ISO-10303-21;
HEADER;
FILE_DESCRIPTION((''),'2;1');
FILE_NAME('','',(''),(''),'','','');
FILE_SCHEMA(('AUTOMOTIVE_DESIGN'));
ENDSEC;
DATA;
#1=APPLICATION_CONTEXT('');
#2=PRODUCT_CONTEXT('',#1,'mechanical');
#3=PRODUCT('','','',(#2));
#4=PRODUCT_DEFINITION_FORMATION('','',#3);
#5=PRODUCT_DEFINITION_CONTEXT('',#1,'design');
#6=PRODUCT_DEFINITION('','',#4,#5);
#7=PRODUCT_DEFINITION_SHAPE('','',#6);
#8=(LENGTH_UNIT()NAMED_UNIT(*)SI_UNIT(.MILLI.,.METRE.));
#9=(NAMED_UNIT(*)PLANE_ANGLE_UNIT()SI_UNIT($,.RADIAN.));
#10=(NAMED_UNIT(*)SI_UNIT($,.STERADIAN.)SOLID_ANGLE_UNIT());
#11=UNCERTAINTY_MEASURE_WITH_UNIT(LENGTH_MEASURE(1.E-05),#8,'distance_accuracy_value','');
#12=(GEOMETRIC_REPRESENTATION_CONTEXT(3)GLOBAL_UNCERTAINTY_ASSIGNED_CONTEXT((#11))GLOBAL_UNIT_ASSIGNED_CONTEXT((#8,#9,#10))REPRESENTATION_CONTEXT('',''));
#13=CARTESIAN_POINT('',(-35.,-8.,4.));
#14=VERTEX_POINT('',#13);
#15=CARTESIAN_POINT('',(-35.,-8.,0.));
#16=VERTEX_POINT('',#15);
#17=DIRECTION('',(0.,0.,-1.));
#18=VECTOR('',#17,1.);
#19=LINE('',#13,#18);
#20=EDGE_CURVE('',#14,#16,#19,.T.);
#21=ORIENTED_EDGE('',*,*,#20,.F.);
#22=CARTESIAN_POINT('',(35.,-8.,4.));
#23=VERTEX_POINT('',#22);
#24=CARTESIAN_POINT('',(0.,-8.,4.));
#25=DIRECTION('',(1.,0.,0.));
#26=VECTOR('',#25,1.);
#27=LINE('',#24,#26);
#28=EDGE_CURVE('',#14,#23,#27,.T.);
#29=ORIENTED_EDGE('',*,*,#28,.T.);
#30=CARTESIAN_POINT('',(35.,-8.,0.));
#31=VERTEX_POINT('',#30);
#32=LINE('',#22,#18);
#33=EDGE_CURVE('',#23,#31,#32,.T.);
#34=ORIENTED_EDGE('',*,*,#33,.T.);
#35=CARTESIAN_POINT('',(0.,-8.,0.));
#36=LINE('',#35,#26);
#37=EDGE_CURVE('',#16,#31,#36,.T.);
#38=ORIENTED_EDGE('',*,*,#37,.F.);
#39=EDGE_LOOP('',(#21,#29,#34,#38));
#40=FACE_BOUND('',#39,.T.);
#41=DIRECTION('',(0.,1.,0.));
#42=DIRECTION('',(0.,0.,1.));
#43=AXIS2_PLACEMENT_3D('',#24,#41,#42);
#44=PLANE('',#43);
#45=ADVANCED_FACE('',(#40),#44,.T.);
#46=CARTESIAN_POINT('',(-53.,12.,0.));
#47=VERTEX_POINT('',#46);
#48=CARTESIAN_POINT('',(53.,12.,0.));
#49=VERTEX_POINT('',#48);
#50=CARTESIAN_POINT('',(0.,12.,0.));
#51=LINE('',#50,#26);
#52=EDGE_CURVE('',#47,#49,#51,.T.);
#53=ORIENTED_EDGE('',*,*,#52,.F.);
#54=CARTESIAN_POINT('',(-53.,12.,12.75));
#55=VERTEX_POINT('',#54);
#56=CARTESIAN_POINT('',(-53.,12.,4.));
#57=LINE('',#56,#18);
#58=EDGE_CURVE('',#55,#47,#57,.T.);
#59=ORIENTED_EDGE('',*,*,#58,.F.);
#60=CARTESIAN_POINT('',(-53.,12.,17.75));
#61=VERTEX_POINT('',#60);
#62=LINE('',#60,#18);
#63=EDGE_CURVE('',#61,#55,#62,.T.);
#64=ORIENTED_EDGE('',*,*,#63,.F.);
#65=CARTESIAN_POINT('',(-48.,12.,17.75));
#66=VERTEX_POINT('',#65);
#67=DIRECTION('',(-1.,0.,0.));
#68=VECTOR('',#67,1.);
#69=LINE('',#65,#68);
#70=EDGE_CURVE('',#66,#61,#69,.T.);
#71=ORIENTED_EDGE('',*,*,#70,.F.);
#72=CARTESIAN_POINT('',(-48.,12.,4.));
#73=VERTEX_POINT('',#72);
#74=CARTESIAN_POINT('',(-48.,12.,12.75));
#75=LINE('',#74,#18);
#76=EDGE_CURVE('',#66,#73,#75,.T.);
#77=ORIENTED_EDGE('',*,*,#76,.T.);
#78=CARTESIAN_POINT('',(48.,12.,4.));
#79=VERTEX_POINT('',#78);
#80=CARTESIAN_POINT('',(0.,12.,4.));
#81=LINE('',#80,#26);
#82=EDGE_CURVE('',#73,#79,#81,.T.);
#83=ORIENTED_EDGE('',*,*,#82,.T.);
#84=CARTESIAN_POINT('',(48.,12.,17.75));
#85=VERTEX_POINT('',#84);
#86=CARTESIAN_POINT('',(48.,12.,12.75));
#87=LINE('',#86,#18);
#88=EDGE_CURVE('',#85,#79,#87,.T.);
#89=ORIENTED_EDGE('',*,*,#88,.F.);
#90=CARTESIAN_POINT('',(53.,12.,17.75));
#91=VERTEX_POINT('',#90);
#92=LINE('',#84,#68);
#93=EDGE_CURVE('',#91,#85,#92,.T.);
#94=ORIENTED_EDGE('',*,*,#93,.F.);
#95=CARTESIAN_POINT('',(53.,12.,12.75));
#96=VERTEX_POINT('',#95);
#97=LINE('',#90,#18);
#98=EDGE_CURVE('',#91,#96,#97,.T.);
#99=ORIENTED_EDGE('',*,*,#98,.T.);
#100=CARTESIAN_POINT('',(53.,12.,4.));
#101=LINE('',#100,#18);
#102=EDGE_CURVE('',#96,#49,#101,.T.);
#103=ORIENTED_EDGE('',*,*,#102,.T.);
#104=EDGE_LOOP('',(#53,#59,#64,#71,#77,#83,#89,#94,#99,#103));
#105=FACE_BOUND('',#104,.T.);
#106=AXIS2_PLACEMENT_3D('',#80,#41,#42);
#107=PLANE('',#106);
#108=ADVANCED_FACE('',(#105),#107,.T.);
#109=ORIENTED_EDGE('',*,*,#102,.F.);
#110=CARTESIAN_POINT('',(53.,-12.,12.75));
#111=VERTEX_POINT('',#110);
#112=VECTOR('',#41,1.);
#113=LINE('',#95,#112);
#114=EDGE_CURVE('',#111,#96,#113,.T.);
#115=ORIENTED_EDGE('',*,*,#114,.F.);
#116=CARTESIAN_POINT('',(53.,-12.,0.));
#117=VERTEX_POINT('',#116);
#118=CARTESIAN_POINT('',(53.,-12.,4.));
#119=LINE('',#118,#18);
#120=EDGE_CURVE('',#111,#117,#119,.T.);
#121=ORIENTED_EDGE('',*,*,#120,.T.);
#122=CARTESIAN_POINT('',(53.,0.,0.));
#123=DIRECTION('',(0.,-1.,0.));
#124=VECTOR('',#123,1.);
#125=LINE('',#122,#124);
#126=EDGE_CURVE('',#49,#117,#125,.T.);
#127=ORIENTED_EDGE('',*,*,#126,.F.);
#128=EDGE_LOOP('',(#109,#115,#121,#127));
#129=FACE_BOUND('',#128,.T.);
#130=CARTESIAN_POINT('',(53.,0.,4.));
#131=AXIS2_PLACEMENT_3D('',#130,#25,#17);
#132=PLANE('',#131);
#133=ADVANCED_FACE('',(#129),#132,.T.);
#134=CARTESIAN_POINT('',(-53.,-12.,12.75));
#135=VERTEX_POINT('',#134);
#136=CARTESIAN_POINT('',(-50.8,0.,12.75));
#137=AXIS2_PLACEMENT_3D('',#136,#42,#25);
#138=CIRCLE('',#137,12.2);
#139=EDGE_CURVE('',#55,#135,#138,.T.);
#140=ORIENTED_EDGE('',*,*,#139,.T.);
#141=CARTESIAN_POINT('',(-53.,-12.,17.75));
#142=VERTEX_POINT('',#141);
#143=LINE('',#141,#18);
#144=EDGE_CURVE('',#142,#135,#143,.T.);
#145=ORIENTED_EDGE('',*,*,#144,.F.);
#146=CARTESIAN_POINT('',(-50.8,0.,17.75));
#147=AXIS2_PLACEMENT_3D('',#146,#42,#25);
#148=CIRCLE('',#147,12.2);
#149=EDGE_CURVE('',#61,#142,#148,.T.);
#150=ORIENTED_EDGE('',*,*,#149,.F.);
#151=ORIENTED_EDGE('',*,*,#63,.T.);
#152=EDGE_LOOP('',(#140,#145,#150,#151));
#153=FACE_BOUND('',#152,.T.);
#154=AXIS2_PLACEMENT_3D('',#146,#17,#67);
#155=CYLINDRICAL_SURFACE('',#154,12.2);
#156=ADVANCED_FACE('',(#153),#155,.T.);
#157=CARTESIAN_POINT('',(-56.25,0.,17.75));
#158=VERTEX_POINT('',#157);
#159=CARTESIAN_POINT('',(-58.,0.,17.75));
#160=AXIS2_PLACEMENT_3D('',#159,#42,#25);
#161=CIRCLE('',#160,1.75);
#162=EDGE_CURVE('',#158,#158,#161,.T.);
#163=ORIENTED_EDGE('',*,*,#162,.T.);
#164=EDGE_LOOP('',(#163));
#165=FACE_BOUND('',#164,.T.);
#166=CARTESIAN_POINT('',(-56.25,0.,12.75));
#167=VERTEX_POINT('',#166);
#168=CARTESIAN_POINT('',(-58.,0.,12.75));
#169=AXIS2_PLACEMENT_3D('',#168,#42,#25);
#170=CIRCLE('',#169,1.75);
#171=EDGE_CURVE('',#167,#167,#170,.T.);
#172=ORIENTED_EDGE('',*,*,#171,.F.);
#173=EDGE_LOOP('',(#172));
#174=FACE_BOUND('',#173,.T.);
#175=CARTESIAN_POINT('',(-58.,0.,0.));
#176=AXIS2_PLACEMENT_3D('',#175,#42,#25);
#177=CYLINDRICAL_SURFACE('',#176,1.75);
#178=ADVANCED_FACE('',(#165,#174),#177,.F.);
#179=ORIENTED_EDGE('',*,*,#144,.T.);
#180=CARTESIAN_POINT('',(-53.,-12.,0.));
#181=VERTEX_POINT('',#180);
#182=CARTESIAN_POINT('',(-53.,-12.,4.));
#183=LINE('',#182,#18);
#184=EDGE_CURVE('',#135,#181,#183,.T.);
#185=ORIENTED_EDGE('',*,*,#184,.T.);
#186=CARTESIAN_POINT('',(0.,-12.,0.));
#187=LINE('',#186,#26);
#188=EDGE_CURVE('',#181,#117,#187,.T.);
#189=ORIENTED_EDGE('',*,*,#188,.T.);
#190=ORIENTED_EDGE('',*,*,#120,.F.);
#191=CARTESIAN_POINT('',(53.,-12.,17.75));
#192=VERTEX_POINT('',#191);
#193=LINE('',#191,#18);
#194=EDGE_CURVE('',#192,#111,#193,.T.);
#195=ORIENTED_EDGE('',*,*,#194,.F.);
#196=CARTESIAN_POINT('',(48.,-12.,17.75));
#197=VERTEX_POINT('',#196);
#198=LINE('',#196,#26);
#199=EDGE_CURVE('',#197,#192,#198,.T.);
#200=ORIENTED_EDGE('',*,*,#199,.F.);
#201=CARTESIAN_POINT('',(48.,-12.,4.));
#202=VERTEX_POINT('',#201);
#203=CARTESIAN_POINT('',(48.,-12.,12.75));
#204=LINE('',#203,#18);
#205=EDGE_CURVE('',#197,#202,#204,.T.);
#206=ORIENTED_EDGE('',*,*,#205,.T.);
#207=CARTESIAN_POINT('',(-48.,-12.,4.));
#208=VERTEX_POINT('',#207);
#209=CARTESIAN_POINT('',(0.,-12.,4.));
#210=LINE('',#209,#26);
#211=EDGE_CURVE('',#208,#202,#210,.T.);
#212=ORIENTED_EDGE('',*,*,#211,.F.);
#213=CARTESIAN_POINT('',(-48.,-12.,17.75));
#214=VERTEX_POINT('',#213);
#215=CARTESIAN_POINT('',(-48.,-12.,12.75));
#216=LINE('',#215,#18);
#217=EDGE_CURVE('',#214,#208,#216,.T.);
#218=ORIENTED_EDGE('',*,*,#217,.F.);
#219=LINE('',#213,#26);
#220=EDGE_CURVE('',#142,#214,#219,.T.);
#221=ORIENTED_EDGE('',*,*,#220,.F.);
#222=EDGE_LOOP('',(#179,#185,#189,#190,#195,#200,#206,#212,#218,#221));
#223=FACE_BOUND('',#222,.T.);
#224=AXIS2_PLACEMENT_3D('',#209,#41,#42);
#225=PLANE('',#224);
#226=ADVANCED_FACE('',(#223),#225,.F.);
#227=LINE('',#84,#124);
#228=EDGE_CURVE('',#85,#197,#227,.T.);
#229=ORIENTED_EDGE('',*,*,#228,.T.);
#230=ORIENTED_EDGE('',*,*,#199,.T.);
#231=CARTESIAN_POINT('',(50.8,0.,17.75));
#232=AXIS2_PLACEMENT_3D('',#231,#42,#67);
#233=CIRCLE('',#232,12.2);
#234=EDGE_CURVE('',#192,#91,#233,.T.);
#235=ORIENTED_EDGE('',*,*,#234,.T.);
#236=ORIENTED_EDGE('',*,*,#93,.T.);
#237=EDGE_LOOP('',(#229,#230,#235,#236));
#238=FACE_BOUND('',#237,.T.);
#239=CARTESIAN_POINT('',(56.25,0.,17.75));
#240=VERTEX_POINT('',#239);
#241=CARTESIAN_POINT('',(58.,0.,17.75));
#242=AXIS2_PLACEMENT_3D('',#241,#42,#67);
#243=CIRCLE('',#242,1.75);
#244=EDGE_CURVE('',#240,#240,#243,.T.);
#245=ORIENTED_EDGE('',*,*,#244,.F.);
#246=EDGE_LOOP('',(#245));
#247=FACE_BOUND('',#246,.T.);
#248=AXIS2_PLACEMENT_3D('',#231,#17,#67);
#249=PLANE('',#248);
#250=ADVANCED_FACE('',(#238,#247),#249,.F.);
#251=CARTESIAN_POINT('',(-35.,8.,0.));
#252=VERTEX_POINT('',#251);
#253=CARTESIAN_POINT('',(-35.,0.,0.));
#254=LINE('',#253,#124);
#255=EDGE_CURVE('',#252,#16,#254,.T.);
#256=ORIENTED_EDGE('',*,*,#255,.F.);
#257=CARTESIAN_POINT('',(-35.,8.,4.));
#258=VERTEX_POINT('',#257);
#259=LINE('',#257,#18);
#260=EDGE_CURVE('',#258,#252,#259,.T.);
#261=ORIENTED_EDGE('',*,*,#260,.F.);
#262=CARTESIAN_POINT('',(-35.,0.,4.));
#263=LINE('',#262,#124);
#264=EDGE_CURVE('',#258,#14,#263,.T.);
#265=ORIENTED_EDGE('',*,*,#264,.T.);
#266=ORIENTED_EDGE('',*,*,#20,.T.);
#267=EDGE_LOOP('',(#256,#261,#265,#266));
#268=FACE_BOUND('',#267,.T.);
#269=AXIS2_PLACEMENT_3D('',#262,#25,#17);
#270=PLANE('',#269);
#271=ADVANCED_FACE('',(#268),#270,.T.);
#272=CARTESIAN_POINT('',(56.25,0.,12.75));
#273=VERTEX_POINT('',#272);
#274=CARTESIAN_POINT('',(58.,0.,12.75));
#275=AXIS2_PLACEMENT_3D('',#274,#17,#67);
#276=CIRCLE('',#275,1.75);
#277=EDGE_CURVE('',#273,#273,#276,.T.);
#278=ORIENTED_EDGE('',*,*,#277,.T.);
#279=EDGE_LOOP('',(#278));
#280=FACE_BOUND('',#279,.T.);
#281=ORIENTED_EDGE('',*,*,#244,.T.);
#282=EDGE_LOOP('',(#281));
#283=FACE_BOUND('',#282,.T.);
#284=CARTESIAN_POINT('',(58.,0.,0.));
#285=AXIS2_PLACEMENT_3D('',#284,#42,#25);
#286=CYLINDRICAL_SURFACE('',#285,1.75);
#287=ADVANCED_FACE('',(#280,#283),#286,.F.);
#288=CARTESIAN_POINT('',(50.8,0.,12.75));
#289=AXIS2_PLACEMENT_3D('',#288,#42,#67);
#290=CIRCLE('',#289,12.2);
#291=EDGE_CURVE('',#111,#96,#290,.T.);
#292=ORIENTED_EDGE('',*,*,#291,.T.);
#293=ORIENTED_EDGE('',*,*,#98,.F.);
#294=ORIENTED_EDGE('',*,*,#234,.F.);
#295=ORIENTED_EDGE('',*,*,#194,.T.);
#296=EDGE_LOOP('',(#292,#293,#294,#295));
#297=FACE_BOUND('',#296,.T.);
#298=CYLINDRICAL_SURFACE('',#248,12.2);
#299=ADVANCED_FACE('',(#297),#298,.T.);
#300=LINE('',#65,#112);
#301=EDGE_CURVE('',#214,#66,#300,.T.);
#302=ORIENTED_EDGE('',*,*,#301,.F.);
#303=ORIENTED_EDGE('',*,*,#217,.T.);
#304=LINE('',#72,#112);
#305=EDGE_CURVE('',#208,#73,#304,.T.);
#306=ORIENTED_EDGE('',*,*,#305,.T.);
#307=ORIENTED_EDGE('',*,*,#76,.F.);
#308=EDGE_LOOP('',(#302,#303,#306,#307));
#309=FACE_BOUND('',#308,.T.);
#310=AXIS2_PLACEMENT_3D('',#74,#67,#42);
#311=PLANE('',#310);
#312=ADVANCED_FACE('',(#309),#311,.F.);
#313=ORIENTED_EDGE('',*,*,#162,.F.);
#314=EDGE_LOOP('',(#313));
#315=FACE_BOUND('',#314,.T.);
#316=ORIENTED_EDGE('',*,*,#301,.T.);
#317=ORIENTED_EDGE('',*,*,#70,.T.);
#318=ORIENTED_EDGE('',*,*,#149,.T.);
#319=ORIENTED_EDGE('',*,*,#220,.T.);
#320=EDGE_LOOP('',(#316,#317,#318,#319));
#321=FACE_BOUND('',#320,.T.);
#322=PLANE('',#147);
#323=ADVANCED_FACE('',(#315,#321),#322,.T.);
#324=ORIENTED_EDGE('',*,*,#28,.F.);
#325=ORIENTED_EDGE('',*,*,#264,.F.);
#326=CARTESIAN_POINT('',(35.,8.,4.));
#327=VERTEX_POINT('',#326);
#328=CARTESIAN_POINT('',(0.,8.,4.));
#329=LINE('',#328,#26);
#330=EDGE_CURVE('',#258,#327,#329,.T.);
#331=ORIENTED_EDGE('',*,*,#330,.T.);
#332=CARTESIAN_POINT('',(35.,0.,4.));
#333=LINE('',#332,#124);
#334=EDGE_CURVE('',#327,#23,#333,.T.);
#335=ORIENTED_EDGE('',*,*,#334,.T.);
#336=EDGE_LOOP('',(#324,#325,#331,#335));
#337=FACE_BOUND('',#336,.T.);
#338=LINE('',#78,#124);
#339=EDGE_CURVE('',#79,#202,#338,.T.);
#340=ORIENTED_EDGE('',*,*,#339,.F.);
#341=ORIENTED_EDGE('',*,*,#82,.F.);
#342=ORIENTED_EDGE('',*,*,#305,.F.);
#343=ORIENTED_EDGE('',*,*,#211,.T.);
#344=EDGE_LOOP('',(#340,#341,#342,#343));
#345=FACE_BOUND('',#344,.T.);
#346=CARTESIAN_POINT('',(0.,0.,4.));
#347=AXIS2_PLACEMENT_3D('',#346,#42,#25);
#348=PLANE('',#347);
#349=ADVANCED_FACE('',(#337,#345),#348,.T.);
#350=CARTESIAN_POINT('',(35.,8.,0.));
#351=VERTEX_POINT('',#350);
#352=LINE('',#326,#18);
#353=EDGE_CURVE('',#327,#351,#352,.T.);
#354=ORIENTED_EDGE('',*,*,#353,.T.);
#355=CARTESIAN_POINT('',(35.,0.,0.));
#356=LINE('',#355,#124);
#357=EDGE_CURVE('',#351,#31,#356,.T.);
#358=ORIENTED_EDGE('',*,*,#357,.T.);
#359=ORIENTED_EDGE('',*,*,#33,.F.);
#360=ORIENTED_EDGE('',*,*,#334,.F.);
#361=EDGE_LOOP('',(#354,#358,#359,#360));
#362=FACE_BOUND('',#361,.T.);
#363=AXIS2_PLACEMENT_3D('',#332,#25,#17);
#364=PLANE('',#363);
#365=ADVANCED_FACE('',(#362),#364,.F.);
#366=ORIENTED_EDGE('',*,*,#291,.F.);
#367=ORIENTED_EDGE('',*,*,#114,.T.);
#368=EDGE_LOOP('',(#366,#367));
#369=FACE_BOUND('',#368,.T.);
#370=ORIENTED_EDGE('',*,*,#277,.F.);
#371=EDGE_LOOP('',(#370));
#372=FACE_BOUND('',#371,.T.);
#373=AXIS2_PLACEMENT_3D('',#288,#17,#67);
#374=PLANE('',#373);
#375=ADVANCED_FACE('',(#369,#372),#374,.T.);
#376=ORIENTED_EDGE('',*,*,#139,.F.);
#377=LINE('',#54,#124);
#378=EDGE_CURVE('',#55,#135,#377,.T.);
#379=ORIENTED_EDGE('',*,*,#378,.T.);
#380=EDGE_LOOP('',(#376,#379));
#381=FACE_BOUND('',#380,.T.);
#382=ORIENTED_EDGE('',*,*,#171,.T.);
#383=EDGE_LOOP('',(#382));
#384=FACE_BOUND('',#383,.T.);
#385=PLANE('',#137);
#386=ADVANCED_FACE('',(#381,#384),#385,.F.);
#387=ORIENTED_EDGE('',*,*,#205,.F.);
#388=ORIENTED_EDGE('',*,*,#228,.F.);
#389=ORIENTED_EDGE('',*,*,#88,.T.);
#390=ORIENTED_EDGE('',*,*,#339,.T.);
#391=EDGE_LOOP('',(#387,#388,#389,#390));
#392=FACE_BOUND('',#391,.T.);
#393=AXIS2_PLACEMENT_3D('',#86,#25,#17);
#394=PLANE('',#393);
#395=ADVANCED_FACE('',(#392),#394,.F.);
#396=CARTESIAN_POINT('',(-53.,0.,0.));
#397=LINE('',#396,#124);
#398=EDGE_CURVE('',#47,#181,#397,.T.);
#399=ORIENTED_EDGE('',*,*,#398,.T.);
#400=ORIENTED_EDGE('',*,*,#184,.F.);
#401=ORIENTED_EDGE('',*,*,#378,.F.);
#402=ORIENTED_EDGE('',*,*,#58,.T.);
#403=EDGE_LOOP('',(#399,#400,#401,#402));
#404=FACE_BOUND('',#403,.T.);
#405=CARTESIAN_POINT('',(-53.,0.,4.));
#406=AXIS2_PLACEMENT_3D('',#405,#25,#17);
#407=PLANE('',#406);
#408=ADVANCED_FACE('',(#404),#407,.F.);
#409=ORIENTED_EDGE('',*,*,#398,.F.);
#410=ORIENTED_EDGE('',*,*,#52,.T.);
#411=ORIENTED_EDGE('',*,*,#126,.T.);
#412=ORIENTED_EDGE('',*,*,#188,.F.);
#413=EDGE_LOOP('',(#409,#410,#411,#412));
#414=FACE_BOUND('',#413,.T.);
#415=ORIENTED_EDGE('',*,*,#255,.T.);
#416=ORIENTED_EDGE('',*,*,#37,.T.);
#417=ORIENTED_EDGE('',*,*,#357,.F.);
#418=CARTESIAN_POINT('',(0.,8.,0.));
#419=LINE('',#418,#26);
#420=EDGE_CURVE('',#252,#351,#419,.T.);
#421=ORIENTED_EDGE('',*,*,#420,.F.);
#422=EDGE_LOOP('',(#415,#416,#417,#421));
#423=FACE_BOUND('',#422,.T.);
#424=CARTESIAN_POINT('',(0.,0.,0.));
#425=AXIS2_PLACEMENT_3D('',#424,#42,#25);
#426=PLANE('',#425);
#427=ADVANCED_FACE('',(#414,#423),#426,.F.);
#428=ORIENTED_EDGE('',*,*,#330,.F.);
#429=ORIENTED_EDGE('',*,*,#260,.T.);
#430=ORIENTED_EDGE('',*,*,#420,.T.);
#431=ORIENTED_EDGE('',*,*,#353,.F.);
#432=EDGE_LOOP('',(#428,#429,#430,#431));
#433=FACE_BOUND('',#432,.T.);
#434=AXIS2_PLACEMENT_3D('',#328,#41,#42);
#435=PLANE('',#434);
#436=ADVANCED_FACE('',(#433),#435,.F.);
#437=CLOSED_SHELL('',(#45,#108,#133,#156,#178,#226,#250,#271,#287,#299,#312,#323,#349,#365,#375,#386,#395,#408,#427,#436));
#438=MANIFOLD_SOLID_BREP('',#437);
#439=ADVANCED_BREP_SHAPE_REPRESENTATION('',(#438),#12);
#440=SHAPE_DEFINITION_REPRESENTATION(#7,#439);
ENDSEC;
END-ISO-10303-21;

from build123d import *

# Parameters (mm, degrees)
ESQUISSE1_W             = 5
ESQUISSE1_H             = 24
ESQUISSE1_W_2           = 96
ESQUISSE1_W_3           = 70
ESQUISSE1_H_2           = 16
BOSS_EXTRU_1_DEPTH      = 4
ESQUISSE2_W             = 5
ESQUISSE2_H             = 24
BOSS_EXTRU_2_DEPTH      = 8.75
BOSS_EXTRU_3_DEPTH      = 5
ESQUISSE4_R             = 1.75
ENL_V_MAT_EXTRU_2_DEPTH = 18.75


with BuildPart() as part:
    # Esquisse1 → Boss.-Extru.1 (new body)
    with BuildSketch(Plane.XY):
        with Locations((-50.5, 0)):
            Rectangle(ESQUISSE1_W, ESQUISSE1_H)
        Rectangle(ESQUISSE1_W_2, ESQUISSE1_H)
        Rectangle(ESQUISSE1_W_3, ESQUISSE1_H_2, mode=Mode.SUBTRACT)
        with Locations((50.5, 0)):
            Rectangle(ESQUISSE1_W, ESQUISSE1_H)
    extrude(amount=BOSS_EXTRU_1_DEPTH)

    # Esquisse2 → Boss.-Extru.2 (add)
    with BuildSketch(Plane.XY.offset(4)):
        with Locations((-50.5, 0)):
            Rectangle(ESQUISSE2_W, ESQUISSE2_H)
        with Locations((50.5, 0)):
            Rectangle(ESQUISSE2_W, ESQUISSE2_H)
    extrude(amount=BOSS_EXTRU_2_DEPTH)

    # Esquisse3 → Boss.-Extru.3 (add)
    with BuildSketch(Plane.XY.offset(12.75)):
        with BuildLine():
            Line((-48, 12), (-53, 12))
            ThreePointArc((-53, 12), (-63, 0), (-53, -12))
            Line((-53, -12), (-48, -12))
            Line((-48, -12), (-48, 12))
        make_face()
        with BuildLine():
            Line((48, -12), (53, -12))
            ThreePointArc((53, -12), (63, 0), (53, 12))
            Line((53, 12), (48, 12))
            Line((48, 12), (48, -12))
        make_face()
    extrude(amount=BOSS_EXTRU_3_DEPTH)

    # Esquisse4 → Enlèv. mat.-Extru.2 (cut, through all)
    with BuildSketch(Plane.XY.offset(17.75)):
        with Locations((-58, 0)):
            Circle(ESQUISSE4_R)
        with Locations((58, 0)):
            Circle(ESQUISSE4_R)
    extrude(amount=-ENL_V_MAT_EXTRU_2_DEPTH, mode=Mode.SUBTRACT)


solid = part.part
